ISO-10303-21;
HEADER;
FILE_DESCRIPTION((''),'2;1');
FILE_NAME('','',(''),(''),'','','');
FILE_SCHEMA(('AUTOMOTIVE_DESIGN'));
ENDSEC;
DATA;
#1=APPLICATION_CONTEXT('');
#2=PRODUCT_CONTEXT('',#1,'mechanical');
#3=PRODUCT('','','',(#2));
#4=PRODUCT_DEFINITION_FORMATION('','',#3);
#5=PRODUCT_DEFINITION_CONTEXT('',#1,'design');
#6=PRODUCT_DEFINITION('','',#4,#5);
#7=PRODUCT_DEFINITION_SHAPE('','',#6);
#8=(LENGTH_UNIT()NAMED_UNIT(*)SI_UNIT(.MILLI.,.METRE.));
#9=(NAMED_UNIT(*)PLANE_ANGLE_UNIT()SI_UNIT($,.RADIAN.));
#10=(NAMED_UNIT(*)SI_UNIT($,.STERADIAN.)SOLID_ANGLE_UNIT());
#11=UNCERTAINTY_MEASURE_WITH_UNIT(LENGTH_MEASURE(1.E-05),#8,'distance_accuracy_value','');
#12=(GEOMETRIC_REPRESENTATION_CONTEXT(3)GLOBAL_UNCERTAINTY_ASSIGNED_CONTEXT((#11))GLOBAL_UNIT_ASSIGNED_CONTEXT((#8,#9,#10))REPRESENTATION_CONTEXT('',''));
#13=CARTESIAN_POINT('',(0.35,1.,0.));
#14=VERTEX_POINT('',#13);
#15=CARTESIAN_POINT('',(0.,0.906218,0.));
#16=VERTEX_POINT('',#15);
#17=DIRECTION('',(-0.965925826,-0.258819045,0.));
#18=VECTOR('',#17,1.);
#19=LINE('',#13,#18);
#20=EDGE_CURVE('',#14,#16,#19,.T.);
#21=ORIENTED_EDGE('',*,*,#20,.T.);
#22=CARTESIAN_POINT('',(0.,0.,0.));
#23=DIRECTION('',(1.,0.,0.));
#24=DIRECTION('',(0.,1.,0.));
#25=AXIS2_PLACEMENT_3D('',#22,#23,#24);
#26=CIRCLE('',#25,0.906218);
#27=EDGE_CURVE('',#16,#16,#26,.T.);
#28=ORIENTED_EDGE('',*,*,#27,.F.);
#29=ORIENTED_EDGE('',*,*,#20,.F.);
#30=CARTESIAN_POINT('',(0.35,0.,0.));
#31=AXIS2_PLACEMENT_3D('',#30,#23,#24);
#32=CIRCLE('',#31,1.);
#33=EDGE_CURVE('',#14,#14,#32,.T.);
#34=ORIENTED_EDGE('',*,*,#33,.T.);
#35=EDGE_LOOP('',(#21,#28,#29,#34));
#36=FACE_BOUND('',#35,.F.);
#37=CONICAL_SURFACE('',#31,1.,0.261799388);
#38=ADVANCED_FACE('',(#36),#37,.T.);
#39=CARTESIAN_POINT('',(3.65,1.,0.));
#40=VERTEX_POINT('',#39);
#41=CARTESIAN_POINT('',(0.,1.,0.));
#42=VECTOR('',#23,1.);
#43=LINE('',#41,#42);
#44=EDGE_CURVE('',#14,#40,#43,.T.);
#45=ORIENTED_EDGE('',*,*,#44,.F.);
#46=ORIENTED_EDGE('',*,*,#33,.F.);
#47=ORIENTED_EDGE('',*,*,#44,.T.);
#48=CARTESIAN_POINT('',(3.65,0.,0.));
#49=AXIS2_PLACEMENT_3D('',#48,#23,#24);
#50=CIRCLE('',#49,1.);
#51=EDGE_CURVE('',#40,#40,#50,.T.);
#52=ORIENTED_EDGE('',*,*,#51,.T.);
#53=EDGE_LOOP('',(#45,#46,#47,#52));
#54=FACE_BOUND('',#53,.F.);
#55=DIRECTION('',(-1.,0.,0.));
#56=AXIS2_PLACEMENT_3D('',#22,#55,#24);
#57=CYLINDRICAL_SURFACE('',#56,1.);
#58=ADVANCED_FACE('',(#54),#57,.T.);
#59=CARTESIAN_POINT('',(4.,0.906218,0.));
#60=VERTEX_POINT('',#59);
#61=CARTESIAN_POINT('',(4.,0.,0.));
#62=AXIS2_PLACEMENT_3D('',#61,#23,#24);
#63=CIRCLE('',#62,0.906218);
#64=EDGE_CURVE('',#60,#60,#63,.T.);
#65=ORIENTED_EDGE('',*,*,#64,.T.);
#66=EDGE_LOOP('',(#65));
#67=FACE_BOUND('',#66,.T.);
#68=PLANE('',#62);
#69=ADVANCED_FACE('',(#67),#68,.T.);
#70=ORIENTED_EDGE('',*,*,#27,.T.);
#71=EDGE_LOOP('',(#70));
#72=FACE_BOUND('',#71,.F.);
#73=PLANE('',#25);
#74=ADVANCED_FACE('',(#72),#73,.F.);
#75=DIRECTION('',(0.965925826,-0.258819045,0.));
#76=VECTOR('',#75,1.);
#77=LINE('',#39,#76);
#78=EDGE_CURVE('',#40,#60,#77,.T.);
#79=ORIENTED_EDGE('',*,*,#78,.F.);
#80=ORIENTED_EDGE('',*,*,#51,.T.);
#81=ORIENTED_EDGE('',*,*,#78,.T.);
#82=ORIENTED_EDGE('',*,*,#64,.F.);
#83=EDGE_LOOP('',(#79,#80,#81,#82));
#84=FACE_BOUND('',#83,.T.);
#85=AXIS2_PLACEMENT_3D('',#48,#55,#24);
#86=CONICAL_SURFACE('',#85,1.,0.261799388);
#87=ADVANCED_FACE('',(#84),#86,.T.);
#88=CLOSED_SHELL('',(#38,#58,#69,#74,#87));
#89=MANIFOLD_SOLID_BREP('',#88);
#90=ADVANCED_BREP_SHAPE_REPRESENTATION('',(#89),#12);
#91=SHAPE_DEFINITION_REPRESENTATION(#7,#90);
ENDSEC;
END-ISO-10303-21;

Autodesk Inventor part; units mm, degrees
ref_plane "YZ Plane" through (0, 0, 0) normal (1, 0, 0) x (0, 1, 0)
ref_plane "XZ Plane" through (0, 0, 0) normal (0, 1, 0) x (-1, 0, 0)
ref_plane "XY Plane" through (0, 0, 0) normal (0, 0, 1) x (1, 0, 0)
sketch "Skizze" plane through (0, 0, 0) normal (1, 0, 0) x (0, 1, 0)
  circle A0 centre (0, 0) radius 1
  dimension "d1" = 2
extrude "Körper" add sketch "Skizze" along normal blind 4
chamfer "Fase1" distance 0.35 angle 15 1 edges at (0, -1, 0) measured on face at (2.6667, 0.9968, -0.0805)
chamfer "Fase2" distance 0.35 angle 15 1 edges at (4, -1, 0) measured on face at (2.7833, 0.9968, -0.0805)
equation "\"d1\" = NND"
equation "\"d4\" = PHH"
equation "\"d5\" = FAWI"
equation "\"d11\" = PHH"
equation "\"d8\" = PHH"
equation "\"d9\" = FAWI"
equation "\"d12\" = PHH"
equation "\"NND\" = 2"
equation "\"NLG\" = 6"
equation "\"PHH\" = 0.35"
equation "\"FAWI\" = 15deg"
equation "\"KAH\" = 0"
properties part number "ISO 2338 - 2 m6 x 6" material "Edelstahl, austenitisch"
